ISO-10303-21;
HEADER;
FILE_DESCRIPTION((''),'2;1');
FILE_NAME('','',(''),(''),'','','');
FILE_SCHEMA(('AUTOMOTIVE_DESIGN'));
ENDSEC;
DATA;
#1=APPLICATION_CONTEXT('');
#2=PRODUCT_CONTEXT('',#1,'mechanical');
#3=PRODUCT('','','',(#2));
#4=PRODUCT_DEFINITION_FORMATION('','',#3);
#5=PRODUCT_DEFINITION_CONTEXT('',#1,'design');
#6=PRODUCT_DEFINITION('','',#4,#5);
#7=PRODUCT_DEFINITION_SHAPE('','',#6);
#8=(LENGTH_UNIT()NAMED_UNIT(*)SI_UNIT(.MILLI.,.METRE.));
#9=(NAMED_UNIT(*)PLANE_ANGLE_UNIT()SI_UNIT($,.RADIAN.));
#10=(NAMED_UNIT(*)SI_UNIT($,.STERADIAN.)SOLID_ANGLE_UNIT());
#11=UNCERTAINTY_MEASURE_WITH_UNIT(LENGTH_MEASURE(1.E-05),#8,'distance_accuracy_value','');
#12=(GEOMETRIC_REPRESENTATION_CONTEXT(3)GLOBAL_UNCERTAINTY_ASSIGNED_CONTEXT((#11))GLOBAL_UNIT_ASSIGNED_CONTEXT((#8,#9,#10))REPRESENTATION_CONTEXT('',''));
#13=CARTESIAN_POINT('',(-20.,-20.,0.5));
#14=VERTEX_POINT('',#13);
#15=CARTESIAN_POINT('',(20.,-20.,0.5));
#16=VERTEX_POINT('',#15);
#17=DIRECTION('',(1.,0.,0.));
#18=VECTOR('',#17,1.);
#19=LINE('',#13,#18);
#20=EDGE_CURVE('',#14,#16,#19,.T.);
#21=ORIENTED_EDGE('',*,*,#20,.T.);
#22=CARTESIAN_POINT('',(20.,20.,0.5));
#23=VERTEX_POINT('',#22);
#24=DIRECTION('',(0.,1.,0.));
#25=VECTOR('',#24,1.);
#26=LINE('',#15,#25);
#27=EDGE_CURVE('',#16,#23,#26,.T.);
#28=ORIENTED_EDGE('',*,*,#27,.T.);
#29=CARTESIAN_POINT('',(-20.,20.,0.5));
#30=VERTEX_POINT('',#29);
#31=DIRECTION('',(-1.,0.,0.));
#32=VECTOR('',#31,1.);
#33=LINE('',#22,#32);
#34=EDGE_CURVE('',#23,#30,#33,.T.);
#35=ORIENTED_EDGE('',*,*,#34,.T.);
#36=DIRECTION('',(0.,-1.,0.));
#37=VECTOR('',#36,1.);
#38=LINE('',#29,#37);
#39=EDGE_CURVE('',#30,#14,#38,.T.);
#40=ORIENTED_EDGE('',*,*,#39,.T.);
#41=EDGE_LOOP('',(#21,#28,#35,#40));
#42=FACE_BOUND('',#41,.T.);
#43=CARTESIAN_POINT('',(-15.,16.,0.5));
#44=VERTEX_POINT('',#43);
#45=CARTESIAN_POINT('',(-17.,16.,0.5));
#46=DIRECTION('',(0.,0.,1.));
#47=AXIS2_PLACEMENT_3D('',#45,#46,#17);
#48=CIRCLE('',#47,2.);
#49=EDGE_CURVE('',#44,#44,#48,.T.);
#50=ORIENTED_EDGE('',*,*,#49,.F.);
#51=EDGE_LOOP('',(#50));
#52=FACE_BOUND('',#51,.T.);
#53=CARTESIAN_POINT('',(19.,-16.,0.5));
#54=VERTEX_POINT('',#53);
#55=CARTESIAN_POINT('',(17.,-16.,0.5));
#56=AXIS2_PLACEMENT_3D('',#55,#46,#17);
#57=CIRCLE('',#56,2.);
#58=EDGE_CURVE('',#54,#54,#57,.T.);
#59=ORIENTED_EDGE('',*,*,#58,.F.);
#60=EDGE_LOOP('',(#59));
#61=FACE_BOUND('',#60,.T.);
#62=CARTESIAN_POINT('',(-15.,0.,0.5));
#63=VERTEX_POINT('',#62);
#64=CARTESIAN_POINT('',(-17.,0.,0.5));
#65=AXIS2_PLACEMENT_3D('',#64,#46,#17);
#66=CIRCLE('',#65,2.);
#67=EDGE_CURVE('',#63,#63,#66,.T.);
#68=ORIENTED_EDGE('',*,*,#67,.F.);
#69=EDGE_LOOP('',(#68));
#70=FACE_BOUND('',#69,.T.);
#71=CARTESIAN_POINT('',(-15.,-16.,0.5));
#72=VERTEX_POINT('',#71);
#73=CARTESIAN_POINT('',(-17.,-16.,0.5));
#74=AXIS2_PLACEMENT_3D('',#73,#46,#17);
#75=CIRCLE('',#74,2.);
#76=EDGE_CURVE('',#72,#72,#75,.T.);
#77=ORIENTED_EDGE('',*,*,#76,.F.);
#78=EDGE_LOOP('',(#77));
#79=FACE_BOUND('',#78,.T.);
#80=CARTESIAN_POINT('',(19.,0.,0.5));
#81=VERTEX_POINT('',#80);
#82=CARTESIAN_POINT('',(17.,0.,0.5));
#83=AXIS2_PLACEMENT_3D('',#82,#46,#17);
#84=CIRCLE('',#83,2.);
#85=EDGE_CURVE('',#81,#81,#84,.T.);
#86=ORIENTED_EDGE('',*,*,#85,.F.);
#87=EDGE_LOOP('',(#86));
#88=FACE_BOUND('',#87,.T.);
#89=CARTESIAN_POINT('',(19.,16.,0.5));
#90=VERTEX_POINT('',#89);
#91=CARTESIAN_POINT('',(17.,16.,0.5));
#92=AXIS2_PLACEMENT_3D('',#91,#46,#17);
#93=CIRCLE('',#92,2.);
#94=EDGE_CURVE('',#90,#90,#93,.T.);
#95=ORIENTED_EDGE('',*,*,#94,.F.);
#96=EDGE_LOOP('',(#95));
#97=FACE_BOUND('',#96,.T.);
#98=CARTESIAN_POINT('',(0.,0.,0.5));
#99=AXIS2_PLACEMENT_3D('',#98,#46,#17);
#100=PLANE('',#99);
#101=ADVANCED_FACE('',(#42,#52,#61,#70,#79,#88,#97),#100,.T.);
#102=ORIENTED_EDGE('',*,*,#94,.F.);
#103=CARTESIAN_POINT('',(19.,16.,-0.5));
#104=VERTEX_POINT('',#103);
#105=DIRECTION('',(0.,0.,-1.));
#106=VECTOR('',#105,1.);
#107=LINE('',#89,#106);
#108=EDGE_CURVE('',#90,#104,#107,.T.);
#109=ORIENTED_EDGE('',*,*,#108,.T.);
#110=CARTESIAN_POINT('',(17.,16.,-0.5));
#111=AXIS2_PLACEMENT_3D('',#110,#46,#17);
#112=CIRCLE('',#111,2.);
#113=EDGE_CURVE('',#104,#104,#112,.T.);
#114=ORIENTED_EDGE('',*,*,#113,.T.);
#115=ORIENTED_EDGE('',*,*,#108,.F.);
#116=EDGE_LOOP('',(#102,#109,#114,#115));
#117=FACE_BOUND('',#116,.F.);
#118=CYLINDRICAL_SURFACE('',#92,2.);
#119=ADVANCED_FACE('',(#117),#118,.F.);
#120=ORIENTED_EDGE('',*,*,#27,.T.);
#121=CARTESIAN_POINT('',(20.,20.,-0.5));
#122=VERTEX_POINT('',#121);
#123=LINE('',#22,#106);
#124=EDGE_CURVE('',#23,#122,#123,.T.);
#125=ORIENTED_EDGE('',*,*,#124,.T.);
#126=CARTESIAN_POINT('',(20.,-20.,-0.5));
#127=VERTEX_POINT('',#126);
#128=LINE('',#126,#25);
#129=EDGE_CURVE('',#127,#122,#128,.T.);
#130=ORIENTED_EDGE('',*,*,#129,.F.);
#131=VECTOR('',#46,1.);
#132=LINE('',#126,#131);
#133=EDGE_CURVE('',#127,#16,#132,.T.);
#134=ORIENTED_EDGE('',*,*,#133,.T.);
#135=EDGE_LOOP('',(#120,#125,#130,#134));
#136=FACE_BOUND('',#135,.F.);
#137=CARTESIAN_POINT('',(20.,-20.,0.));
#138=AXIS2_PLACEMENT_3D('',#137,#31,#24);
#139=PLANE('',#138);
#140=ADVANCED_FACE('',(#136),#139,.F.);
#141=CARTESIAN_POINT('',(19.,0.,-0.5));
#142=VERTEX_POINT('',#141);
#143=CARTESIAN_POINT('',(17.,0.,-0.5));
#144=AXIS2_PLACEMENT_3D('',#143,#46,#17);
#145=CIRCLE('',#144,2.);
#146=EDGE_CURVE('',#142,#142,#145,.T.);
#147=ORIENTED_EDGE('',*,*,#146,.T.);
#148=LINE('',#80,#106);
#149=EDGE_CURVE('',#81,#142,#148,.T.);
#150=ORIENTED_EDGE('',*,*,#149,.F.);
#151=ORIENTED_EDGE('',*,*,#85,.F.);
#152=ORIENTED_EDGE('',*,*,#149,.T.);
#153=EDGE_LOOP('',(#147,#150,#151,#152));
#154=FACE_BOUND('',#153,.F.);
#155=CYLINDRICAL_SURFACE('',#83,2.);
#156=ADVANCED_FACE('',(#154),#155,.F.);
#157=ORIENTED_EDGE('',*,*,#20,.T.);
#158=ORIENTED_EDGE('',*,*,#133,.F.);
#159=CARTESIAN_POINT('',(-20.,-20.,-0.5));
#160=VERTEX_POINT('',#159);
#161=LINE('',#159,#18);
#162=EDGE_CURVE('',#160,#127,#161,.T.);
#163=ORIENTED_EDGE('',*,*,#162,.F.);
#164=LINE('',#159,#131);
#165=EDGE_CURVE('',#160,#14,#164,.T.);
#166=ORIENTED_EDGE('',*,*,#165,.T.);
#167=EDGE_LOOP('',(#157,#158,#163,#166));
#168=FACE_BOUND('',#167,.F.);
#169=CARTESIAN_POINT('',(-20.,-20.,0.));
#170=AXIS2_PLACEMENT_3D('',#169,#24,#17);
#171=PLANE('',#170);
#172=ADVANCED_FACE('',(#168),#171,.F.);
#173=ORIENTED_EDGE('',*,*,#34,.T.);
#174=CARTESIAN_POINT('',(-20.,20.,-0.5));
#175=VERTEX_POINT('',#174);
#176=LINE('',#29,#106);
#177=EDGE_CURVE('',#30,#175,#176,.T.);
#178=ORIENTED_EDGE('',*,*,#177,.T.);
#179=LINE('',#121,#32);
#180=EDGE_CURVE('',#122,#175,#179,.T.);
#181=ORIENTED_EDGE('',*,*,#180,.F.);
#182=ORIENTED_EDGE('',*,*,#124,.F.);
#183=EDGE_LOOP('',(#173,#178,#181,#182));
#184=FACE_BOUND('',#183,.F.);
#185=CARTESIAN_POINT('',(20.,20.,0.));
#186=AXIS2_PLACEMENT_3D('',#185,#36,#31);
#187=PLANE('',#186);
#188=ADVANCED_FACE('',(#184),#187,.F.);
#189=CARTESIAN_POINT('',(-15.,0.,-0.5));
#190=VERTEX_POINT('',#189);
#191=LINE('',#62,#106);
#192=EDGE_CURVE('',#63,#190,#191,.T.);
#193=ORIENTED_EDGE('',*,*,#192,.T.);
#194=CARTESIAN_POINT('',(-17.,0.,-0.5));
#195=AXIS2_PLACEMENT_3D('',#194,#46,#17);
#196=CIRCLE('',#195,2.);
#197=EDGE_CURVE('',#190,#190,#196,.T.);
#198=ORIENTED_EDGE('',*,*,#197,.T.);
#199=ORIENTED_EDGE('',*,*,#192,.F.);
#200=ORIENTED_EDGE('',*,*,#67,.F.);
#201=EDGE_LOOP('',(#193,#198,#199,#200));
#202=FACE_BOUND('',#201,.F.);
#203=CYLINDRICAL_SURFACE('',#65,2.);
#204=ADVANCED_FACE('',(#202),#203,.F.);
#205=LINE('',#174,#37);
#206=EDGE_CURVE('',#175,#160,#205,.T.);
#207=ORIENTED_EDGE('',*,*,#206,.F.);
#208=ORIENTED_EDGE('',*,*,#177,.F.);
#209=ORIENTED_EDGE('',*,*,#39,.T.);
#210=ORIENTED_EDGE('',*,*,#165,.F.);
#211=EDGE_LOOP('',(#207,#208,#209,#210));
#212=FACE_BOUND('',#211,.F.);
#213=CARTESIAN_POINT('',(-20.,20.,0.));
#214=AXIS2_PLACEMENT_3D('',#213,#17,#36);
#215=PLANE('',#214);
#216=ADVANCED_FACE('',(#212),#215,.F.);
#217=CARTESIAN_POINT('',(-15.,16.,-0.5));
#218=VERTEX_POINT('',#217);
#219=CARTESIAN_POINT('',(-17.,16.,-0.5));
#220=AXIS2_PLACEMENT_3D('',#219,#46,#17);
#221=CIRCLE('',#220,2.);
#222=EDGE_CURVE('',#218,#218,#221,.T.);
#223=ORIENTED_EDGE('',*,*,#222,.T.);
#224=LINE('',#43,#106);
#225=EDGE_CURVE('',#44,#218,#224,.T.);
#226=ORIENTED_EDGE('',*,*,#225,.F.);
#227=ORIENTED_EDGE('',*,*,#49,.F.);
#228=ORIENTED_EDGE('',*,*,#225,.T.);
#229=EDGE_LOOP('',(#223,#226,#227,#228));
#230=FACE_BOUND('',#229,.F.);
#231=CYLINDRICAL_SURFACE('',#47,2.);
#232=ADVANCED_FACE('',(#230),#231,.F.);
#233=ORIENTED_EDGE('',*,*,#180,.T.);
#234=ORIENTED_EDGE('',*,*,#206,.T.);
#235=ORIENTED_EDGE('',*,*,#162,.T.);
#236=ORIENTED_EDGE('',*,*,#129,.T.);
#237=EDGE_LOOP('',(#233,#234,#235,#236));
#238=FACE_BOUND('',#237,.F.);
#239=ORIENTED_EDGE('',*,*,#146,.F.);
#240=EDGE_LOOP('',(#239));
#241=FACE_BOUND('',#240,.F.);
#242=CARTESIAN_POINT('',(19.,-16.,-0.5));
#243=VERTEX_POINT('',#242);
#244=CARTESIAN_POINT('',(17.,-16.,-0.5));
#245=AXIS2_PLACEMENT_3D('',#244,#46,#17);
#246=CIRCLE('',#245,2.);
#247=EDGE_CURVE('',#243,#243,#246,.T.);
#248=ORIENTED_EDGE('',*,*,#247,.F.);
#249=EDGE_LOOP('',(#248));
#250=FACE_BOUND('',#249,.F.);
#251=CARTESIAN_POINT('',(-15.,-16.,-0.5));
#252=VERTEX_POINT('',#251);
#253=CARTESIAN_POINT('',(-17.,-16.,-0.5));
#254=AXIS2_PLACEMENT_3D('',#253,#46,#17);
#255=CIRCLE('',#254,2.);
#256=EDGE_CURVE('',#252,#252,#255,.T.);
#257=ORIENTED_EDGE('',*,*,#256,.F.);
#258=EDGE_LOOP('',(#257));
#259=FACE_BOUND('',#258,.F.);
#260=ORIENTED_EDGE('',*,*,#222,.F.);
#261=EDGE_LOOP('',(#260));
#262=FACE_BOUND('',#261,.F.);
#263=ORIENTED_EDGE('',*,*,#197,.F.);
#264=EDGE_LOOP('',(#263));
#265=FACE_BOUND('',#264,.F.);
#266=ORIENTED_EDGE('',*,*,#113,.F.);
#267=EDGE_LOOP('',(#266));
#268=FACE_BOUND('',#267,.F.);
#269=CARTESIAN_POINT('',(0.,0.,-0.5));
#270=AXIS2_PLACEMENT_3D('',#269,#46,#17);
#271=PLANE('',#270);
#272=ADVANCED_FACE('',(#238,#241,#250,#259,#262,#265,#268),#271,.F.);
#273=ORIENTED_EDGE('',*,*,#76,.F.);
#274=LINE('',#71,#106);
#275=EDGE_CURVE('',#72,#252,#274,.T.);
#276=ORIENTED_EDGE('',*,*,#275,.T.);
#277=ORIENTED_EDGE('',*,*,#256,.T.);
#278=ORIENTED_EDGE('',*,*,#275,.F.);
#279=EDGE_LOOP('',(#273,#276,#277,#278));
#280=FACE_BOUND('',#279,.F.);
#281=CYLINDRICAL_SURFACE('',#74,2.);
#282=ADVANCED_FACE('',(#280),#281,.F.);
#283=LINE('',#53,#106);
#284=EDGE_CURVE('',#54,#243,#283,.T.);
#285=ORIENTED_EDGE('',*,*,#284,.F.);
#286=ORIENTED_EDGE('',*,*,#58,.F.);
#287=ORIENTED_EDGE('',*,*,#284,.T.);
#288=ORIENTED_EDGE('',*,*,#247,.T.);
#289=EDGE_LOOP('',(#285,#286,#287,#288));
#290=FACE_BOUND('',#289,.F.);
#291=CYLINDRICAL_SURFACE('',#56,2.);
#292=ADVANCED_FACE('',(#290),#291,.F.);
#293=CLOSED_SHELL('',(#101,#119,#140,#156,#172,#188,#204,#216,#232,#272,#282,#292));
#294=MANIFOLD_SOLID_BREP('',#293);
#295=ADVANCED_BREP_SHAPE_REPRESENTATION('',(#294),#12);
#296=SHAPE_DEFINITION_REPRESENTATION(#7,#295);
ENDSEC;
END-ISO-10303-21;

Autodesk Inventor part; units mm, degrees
ref_plane "YZ Plane" through (0, 0, 0) normal (1, 0, 0) x (0, 1, 0)
ref_plane "XZ Plane" through (0, 0, 0) normal (0, 1, 0) x (-1, 0, 0)
ref_plane "XY Plane" through (0, 0, 0) normal (0, 0, 1) x (1, 0, 0)
sketch "Sketch1" plane through (0, 0, 0) normal (0, 0, 1) x (1, 0, 0)
  line L0 (-20, -20) -> (20, -20)
  line L1 (20, -20) -> (20, 20)
  line L2 (20, 20) -> (-20, 20)
  line L3 (-20, 20) -> (-20, -20)
  line L4 (-20, -20) -> (20, 20) construction
  line L5 (20, -20) -> (-20, 20) construction
  point P0 (0, 0)
  dimension "d0" = 40
  dimension "d1" = 40
extrude "Extrusion1" add sketch "Sketch1" along normal mid plane 1
sketch "Sketch2" plane through (0, 0, 0.5) normal (0, 0, 1) x (1, 0, 0)
  circle A0 centre (-17, 16) radius 2
  circle A1 centre (-17, 0) radius 2
  circle A2 centre (-17, -16) radius 2
  circle A3 centre (17, 16) radius 2
  circle A4 centre (17, 0) radius 2
  circle A5 centre (17, -16) radius 2
  line L0 (-20, 20) -> (-20, -20) projected
  point P0 (0, 0)
  dimension "d4" = 3
  dimension "d5" = 34
  dimension "d6" = 4
  dimension "d7" = 4
  dimension "d8" = 4
  dimension "d9" = 16
  dimension "d10" = 32
extrude "Extrusion2" cut sketch "Sketch2" against normal up to surface (1 mm away)
equation "\"d7\" = d6"
equation "\"d8\" = d6"
equation "\"d9\" = 0.5 * d10"
properties part number "26A" material "Gold"
